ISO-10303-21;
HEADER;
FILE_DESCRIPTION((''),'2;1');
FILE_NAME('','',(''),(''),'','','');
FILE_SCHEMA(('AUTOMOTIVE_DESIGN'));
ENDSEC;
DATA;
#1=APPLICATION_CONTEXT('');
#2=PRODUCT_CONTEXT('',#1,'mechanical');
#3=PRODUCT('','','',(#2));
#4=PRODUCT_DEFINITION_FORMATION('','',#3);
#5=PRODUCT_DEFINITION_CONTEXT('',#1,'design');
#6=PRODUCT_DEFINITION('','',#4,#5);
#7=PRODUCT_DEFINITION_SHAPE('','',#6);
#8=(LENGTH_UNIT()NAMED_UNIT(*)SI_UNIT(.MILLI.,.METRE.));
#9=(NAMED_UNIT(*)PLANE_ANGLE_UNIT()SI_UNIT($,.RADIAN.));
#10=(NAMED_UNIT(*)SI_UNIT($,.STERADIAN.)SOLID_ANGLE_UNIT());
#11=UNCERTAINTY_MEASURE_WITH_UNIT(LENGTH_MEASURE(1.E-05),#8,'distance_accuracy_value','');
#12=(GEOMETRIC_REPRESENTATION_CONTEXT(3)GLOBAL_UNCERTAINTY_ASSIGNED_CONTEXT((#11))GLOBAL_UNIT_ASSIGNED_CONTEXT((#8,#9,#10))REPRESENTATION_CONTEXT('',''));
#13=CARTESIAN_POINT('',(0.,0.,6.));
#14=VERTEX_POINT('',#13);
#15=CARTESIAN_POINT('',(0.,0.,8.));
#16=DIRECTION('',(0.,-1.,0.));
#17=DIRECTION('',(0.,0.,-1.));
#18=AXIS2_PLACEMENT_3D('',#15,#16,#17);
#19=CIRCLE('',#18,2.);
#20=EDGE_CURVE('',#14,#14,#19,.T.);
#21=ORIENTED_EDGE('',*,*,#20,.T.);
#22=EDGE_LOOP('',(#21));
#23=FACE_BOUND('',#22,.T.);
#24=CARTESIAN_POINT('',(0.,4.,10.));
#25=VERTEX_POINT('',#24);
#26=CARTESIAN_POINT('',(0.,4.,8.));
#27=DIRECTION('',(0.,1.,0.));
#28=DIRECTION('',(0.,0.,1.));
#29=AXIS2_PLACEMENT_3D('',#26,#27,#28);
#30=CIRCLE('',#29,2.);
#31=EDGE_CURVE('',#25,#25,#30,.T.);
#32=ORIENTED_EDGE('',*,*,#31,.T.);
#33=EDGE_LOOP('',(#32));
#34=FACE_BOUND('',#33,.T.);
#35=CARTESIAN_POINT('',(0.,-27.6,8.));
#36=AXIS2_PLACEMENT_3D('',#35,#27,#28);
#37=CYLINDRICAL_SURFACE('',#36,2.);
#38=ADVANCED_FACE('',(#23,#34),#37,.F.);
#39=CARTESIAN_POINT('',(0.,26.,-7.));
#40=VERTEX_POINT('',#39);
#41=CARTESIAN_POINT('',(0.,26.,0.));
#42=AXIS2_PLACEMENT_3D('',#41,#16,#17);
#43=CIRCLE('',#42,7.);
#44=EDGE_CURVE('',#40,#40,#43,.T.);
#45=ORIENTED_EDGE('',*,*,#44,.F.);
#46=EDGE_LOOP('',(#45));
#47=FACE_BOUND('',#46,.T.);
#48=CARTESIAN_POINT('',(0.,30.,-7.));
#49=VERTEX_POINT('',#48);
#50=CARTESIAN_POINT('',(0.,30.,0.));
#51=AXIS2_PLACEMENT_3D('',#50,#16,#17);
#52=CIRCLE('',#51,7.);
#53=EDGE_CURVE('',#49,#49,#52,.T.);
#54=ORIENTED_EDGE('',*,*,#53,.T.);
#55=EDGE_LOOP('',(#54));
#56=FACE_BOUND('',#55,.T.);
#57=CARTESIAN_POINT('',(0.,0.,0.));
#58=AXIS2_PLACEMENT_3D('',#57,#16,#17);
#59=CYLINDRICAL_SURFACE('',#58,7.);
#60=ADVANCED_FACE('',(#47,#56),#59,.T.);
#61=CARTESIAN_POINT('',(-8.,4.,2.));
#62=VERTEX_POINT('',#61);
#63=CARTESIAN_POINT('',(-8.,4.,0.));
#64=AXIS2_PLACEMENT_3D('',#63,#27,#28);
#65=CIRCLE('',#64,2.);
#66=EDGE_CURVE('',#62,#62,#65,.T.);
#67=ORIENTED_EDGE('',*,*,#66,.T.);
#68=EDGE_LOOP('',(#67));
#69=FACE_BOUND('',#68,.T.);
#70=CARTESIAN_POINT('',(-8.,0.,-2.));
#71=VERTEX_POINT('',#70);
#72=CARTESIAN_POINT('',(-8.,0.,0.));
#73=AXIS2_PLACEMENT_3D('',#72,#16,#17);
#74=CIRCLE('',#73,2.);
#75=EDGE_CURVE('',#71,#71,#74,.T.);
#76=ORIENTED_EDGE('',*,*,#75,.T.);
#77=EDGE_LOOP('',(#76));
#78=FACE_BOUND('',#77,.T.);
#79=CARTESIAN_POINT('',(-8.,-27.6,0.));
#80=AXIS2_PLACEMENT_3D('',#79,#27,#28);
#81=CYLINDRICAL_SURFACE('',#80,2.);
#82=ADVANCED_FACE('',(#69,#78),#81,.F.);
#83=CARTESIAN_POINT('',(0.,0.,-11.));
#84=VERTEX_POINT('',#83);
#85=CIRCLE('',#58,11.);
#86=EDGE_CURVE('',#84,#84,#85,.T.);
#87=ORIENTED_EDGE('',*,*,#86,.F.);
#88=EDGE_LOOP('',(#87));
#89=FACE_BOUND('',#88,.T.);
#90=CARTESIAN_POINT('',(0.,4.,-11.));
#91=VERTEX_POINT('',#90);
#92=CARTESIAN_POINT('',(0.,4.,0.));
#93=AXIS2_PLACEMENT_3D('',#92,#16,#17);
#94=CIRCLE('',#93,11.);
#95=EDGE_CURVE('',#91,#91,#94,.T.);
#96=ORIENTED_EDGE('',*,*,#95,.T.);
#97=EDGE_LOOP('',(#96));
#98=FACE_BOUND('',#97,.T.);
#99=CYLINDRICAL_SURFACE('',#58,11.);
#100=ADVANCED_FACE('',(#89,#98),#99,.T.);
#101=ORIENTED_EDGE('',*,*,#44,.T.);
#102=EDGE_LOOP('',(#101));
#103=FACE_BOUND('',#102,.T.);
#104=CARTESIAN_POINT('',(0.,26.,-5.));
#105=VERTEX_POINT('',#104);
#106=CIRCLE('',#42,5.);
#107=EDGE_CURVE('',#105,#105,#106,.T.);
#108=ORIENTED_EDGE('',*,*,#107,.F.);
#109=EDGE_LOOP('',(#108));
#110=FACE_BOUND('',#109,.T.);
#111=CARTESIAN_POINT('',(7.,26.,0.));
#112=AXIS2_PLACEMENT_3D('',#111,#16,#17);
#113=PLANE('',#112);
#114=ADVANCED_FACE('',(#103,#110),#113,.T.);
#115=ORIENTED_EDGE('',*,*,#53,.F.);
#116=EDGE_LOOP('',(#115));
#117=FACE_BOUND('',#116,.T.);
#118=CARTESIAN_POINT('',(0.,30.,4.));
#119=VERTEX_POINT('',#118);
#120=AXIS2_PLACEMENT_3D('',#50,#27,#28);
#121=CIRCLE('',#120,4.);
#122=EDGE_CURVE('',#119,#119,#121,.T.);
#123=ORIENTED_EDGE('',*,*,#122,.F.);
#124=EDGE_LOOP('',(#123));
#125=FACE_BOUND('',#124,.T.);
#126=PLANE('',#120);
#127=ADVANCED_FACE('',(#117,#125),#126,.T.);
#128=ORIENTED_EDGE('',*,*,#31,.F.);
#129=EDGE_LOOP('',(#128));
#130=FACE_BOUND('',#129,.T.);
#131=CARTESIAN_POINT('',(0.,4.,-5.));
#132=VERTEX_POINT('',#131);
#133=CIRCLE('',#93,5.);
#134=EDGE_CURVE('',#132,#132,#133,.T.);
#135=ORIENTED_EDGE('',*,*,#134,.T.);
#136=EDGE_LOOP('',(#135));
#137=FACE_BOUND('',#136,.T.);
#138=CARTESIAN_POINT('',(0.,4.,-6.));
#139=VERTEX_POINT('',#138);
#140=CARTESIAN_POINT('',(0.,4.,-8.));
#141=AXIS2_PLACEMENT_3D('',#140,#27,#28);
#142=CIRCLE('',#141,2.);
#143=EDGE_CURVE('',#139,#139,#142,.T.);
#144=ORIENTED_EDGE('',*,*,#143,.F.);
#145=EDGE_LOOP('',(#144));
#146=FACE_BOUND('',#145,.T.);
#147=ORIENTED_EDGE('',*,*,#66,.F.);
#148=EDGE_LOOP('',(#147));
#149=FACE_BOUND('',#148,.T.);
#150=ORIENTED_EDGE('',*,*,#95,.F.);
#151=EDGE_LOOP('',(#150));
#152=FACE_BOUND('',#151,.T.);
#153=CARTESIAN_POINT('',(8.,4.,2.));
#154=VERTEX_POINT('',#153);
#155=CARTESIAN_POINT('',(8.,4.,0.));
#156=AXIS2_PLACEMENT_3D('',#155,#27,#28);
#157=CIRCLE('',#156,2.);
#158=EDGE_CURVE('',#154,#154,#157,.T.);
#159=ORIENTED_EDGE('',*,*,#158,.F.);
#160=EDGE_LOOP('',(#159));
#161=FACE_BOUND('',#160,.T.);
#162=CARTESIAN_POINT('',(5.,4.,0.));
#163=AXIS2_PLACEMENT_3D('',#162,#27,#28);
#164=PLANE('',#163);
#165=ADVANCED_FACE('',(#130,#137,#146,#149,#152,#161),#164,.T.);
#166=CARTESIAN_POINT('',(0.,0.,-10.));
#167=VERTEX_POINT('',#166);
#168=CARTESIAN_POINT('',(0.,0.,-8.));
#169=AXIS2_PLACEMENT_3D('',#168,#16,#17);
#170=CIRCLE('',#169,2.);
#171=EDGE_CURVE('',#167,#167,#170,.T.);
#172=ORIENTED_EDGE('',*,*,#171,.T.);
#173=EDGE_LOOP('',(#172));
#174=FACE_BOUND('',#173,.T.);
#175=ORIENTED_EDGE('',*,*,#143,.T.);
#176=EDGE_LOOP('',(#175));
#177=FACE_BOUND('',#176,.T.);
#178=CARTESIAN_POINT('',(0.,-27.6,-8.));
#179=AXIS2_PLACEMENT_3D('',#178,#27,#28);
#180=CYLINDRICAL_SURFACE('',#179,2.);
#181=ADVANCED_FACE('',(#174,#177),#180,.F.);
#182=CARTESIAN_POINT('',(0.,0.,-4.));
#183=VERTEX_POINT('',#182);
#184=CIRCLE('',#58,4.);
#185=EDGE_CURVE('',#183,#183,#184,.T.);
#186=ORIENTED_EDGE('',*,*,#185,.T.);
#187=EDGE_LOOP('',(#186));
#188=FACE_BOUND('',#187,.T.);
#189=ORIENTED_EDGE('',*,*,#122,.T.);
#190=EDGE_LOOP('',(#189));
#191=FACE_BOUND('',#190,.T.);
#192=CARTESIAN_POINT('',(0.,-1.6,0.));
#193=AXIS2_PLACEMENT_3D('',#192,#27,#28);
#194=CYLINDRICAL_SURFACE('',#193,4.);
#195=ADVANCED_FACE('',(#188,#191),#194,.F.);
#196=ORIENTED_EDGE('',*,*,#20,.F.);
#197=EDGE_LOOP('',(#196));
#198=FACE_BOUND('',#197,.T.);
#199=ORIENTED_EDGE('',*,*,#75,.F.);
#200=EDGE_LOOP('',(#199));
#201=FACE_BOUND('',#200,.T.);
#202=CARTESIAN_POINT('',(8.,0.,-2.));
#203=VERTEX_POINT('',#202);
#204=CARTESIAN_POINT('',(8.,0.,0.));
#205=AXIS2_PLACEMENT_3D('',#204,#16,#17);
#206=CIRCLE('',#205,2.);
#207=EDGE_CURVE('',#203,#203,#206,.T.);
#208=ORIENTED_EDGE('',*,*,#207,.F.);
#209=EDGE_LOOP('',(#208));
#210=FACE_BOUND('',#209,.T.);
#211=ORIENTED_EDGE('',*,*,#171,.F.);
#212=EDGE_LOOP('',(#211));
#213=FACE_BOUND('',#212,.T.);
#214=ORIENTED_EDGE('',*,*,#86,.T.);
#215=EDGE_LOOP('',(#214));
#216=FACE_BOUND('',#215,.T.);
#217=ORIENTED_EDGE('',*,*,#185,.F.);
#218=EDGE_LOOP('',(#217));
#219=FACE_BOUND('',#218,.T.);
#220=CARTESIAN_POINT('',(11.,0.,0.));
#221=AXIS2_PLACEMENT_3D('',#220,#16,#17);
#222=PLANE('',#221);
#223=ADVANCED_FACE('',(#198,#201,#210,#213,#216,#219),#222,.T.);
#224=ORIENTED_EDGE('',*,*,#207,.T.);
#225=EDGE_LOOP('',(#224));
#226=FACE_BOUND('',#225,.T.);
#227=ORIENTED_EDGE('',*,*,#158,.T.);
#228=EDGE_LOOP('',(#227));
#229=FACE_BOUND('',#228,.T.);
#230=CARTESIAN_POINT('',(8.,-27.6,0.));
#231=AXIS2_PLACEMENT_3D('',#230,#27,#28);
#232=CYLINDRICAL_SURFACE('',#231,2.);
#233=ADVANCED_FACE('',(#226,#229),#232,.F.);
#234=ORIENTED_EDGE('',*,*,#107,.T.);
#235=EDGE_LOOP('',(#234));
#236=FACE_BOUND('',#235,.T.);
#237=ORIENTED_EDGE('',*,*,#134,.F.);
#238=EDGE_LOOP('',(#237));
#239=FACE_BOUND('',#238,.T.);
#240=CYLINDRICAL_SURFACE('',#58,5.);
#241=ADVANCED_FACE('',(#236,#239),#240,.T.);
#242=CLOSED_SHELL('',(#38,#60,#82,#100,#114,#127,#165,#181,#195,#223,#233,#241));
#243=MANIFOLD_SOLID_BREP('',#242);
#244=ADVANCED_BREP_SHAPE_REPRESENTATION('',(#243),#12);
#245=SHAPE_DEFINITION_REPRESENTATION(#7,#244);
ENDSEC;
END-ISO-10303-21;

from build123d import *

# Parameters (mm, degrees)
SKETCH_2_R          = 4
CUT_EXTRUDE_1_DEPTH = 31.6
SKETCH_4_R          = 2
CUT_EXTRUDE_2_DEPTH = 31.6


with BuildPart() as part:
    # Эскиз1 → Повернуть1 (revolve)
    with BuildSketch(Plane.XY, mode=Mode.PRIVATE) as revolve_1_sk:
        Polygon((0, 0), (0, 30), (7, 30), (7, 26), (5, 26), (5, 4), (11, 4), (11, 0), align=None)
    revolve(revolve_1_sk.sketch.rotate(Axis((0, 0, 0), (0, 1, 0)), 90), axis=Axis((0, 0, 0), (0, 1, 0)))

    # Эскиз2 → Вырез-Вытянуть1 (cut)
    with BuildSketch(Plane(origin=(0, 30, 0), x_dir=(1, 0, 0), z_dir=(0, 1, 0))):
        with Locations(Location((0, 0, 0), (0, 0, 270))):
            Circle(SKETCH_2_R)
    extrude(amount=-CUT_EXTRUDE_1_DEPTH, mode=Mode.SUBTRACT)

    # Эскиз4 → Вырез-Вытянуть2 (cut)
    with BuildSketch(Plane(origin=(0, 4, 0), x_dir=(1, 0, 0), z_dir=(0, 1, 0))):
        with Locations(Location((8, 0, 0), (0, 0, 270))):
            Circle(SKETCH_4_R)
        with Locations(Location((0, 8, 0), (0, 0, 270))):
            Circle(SKETCH_4_R)
        with Locations(Location((-8, 0, 0), (0, 0, 270))):
            Circle(SKETCH_4_R)
        with Locations(Location((0, -8, 0), (0, 0, 270))):
            Circle(SKETCH_4_R)
    extrude(amount=-CUT_EXTRUDE_2_DEPTH, mode=Mode.SUBTRACT)


solid = part.part
